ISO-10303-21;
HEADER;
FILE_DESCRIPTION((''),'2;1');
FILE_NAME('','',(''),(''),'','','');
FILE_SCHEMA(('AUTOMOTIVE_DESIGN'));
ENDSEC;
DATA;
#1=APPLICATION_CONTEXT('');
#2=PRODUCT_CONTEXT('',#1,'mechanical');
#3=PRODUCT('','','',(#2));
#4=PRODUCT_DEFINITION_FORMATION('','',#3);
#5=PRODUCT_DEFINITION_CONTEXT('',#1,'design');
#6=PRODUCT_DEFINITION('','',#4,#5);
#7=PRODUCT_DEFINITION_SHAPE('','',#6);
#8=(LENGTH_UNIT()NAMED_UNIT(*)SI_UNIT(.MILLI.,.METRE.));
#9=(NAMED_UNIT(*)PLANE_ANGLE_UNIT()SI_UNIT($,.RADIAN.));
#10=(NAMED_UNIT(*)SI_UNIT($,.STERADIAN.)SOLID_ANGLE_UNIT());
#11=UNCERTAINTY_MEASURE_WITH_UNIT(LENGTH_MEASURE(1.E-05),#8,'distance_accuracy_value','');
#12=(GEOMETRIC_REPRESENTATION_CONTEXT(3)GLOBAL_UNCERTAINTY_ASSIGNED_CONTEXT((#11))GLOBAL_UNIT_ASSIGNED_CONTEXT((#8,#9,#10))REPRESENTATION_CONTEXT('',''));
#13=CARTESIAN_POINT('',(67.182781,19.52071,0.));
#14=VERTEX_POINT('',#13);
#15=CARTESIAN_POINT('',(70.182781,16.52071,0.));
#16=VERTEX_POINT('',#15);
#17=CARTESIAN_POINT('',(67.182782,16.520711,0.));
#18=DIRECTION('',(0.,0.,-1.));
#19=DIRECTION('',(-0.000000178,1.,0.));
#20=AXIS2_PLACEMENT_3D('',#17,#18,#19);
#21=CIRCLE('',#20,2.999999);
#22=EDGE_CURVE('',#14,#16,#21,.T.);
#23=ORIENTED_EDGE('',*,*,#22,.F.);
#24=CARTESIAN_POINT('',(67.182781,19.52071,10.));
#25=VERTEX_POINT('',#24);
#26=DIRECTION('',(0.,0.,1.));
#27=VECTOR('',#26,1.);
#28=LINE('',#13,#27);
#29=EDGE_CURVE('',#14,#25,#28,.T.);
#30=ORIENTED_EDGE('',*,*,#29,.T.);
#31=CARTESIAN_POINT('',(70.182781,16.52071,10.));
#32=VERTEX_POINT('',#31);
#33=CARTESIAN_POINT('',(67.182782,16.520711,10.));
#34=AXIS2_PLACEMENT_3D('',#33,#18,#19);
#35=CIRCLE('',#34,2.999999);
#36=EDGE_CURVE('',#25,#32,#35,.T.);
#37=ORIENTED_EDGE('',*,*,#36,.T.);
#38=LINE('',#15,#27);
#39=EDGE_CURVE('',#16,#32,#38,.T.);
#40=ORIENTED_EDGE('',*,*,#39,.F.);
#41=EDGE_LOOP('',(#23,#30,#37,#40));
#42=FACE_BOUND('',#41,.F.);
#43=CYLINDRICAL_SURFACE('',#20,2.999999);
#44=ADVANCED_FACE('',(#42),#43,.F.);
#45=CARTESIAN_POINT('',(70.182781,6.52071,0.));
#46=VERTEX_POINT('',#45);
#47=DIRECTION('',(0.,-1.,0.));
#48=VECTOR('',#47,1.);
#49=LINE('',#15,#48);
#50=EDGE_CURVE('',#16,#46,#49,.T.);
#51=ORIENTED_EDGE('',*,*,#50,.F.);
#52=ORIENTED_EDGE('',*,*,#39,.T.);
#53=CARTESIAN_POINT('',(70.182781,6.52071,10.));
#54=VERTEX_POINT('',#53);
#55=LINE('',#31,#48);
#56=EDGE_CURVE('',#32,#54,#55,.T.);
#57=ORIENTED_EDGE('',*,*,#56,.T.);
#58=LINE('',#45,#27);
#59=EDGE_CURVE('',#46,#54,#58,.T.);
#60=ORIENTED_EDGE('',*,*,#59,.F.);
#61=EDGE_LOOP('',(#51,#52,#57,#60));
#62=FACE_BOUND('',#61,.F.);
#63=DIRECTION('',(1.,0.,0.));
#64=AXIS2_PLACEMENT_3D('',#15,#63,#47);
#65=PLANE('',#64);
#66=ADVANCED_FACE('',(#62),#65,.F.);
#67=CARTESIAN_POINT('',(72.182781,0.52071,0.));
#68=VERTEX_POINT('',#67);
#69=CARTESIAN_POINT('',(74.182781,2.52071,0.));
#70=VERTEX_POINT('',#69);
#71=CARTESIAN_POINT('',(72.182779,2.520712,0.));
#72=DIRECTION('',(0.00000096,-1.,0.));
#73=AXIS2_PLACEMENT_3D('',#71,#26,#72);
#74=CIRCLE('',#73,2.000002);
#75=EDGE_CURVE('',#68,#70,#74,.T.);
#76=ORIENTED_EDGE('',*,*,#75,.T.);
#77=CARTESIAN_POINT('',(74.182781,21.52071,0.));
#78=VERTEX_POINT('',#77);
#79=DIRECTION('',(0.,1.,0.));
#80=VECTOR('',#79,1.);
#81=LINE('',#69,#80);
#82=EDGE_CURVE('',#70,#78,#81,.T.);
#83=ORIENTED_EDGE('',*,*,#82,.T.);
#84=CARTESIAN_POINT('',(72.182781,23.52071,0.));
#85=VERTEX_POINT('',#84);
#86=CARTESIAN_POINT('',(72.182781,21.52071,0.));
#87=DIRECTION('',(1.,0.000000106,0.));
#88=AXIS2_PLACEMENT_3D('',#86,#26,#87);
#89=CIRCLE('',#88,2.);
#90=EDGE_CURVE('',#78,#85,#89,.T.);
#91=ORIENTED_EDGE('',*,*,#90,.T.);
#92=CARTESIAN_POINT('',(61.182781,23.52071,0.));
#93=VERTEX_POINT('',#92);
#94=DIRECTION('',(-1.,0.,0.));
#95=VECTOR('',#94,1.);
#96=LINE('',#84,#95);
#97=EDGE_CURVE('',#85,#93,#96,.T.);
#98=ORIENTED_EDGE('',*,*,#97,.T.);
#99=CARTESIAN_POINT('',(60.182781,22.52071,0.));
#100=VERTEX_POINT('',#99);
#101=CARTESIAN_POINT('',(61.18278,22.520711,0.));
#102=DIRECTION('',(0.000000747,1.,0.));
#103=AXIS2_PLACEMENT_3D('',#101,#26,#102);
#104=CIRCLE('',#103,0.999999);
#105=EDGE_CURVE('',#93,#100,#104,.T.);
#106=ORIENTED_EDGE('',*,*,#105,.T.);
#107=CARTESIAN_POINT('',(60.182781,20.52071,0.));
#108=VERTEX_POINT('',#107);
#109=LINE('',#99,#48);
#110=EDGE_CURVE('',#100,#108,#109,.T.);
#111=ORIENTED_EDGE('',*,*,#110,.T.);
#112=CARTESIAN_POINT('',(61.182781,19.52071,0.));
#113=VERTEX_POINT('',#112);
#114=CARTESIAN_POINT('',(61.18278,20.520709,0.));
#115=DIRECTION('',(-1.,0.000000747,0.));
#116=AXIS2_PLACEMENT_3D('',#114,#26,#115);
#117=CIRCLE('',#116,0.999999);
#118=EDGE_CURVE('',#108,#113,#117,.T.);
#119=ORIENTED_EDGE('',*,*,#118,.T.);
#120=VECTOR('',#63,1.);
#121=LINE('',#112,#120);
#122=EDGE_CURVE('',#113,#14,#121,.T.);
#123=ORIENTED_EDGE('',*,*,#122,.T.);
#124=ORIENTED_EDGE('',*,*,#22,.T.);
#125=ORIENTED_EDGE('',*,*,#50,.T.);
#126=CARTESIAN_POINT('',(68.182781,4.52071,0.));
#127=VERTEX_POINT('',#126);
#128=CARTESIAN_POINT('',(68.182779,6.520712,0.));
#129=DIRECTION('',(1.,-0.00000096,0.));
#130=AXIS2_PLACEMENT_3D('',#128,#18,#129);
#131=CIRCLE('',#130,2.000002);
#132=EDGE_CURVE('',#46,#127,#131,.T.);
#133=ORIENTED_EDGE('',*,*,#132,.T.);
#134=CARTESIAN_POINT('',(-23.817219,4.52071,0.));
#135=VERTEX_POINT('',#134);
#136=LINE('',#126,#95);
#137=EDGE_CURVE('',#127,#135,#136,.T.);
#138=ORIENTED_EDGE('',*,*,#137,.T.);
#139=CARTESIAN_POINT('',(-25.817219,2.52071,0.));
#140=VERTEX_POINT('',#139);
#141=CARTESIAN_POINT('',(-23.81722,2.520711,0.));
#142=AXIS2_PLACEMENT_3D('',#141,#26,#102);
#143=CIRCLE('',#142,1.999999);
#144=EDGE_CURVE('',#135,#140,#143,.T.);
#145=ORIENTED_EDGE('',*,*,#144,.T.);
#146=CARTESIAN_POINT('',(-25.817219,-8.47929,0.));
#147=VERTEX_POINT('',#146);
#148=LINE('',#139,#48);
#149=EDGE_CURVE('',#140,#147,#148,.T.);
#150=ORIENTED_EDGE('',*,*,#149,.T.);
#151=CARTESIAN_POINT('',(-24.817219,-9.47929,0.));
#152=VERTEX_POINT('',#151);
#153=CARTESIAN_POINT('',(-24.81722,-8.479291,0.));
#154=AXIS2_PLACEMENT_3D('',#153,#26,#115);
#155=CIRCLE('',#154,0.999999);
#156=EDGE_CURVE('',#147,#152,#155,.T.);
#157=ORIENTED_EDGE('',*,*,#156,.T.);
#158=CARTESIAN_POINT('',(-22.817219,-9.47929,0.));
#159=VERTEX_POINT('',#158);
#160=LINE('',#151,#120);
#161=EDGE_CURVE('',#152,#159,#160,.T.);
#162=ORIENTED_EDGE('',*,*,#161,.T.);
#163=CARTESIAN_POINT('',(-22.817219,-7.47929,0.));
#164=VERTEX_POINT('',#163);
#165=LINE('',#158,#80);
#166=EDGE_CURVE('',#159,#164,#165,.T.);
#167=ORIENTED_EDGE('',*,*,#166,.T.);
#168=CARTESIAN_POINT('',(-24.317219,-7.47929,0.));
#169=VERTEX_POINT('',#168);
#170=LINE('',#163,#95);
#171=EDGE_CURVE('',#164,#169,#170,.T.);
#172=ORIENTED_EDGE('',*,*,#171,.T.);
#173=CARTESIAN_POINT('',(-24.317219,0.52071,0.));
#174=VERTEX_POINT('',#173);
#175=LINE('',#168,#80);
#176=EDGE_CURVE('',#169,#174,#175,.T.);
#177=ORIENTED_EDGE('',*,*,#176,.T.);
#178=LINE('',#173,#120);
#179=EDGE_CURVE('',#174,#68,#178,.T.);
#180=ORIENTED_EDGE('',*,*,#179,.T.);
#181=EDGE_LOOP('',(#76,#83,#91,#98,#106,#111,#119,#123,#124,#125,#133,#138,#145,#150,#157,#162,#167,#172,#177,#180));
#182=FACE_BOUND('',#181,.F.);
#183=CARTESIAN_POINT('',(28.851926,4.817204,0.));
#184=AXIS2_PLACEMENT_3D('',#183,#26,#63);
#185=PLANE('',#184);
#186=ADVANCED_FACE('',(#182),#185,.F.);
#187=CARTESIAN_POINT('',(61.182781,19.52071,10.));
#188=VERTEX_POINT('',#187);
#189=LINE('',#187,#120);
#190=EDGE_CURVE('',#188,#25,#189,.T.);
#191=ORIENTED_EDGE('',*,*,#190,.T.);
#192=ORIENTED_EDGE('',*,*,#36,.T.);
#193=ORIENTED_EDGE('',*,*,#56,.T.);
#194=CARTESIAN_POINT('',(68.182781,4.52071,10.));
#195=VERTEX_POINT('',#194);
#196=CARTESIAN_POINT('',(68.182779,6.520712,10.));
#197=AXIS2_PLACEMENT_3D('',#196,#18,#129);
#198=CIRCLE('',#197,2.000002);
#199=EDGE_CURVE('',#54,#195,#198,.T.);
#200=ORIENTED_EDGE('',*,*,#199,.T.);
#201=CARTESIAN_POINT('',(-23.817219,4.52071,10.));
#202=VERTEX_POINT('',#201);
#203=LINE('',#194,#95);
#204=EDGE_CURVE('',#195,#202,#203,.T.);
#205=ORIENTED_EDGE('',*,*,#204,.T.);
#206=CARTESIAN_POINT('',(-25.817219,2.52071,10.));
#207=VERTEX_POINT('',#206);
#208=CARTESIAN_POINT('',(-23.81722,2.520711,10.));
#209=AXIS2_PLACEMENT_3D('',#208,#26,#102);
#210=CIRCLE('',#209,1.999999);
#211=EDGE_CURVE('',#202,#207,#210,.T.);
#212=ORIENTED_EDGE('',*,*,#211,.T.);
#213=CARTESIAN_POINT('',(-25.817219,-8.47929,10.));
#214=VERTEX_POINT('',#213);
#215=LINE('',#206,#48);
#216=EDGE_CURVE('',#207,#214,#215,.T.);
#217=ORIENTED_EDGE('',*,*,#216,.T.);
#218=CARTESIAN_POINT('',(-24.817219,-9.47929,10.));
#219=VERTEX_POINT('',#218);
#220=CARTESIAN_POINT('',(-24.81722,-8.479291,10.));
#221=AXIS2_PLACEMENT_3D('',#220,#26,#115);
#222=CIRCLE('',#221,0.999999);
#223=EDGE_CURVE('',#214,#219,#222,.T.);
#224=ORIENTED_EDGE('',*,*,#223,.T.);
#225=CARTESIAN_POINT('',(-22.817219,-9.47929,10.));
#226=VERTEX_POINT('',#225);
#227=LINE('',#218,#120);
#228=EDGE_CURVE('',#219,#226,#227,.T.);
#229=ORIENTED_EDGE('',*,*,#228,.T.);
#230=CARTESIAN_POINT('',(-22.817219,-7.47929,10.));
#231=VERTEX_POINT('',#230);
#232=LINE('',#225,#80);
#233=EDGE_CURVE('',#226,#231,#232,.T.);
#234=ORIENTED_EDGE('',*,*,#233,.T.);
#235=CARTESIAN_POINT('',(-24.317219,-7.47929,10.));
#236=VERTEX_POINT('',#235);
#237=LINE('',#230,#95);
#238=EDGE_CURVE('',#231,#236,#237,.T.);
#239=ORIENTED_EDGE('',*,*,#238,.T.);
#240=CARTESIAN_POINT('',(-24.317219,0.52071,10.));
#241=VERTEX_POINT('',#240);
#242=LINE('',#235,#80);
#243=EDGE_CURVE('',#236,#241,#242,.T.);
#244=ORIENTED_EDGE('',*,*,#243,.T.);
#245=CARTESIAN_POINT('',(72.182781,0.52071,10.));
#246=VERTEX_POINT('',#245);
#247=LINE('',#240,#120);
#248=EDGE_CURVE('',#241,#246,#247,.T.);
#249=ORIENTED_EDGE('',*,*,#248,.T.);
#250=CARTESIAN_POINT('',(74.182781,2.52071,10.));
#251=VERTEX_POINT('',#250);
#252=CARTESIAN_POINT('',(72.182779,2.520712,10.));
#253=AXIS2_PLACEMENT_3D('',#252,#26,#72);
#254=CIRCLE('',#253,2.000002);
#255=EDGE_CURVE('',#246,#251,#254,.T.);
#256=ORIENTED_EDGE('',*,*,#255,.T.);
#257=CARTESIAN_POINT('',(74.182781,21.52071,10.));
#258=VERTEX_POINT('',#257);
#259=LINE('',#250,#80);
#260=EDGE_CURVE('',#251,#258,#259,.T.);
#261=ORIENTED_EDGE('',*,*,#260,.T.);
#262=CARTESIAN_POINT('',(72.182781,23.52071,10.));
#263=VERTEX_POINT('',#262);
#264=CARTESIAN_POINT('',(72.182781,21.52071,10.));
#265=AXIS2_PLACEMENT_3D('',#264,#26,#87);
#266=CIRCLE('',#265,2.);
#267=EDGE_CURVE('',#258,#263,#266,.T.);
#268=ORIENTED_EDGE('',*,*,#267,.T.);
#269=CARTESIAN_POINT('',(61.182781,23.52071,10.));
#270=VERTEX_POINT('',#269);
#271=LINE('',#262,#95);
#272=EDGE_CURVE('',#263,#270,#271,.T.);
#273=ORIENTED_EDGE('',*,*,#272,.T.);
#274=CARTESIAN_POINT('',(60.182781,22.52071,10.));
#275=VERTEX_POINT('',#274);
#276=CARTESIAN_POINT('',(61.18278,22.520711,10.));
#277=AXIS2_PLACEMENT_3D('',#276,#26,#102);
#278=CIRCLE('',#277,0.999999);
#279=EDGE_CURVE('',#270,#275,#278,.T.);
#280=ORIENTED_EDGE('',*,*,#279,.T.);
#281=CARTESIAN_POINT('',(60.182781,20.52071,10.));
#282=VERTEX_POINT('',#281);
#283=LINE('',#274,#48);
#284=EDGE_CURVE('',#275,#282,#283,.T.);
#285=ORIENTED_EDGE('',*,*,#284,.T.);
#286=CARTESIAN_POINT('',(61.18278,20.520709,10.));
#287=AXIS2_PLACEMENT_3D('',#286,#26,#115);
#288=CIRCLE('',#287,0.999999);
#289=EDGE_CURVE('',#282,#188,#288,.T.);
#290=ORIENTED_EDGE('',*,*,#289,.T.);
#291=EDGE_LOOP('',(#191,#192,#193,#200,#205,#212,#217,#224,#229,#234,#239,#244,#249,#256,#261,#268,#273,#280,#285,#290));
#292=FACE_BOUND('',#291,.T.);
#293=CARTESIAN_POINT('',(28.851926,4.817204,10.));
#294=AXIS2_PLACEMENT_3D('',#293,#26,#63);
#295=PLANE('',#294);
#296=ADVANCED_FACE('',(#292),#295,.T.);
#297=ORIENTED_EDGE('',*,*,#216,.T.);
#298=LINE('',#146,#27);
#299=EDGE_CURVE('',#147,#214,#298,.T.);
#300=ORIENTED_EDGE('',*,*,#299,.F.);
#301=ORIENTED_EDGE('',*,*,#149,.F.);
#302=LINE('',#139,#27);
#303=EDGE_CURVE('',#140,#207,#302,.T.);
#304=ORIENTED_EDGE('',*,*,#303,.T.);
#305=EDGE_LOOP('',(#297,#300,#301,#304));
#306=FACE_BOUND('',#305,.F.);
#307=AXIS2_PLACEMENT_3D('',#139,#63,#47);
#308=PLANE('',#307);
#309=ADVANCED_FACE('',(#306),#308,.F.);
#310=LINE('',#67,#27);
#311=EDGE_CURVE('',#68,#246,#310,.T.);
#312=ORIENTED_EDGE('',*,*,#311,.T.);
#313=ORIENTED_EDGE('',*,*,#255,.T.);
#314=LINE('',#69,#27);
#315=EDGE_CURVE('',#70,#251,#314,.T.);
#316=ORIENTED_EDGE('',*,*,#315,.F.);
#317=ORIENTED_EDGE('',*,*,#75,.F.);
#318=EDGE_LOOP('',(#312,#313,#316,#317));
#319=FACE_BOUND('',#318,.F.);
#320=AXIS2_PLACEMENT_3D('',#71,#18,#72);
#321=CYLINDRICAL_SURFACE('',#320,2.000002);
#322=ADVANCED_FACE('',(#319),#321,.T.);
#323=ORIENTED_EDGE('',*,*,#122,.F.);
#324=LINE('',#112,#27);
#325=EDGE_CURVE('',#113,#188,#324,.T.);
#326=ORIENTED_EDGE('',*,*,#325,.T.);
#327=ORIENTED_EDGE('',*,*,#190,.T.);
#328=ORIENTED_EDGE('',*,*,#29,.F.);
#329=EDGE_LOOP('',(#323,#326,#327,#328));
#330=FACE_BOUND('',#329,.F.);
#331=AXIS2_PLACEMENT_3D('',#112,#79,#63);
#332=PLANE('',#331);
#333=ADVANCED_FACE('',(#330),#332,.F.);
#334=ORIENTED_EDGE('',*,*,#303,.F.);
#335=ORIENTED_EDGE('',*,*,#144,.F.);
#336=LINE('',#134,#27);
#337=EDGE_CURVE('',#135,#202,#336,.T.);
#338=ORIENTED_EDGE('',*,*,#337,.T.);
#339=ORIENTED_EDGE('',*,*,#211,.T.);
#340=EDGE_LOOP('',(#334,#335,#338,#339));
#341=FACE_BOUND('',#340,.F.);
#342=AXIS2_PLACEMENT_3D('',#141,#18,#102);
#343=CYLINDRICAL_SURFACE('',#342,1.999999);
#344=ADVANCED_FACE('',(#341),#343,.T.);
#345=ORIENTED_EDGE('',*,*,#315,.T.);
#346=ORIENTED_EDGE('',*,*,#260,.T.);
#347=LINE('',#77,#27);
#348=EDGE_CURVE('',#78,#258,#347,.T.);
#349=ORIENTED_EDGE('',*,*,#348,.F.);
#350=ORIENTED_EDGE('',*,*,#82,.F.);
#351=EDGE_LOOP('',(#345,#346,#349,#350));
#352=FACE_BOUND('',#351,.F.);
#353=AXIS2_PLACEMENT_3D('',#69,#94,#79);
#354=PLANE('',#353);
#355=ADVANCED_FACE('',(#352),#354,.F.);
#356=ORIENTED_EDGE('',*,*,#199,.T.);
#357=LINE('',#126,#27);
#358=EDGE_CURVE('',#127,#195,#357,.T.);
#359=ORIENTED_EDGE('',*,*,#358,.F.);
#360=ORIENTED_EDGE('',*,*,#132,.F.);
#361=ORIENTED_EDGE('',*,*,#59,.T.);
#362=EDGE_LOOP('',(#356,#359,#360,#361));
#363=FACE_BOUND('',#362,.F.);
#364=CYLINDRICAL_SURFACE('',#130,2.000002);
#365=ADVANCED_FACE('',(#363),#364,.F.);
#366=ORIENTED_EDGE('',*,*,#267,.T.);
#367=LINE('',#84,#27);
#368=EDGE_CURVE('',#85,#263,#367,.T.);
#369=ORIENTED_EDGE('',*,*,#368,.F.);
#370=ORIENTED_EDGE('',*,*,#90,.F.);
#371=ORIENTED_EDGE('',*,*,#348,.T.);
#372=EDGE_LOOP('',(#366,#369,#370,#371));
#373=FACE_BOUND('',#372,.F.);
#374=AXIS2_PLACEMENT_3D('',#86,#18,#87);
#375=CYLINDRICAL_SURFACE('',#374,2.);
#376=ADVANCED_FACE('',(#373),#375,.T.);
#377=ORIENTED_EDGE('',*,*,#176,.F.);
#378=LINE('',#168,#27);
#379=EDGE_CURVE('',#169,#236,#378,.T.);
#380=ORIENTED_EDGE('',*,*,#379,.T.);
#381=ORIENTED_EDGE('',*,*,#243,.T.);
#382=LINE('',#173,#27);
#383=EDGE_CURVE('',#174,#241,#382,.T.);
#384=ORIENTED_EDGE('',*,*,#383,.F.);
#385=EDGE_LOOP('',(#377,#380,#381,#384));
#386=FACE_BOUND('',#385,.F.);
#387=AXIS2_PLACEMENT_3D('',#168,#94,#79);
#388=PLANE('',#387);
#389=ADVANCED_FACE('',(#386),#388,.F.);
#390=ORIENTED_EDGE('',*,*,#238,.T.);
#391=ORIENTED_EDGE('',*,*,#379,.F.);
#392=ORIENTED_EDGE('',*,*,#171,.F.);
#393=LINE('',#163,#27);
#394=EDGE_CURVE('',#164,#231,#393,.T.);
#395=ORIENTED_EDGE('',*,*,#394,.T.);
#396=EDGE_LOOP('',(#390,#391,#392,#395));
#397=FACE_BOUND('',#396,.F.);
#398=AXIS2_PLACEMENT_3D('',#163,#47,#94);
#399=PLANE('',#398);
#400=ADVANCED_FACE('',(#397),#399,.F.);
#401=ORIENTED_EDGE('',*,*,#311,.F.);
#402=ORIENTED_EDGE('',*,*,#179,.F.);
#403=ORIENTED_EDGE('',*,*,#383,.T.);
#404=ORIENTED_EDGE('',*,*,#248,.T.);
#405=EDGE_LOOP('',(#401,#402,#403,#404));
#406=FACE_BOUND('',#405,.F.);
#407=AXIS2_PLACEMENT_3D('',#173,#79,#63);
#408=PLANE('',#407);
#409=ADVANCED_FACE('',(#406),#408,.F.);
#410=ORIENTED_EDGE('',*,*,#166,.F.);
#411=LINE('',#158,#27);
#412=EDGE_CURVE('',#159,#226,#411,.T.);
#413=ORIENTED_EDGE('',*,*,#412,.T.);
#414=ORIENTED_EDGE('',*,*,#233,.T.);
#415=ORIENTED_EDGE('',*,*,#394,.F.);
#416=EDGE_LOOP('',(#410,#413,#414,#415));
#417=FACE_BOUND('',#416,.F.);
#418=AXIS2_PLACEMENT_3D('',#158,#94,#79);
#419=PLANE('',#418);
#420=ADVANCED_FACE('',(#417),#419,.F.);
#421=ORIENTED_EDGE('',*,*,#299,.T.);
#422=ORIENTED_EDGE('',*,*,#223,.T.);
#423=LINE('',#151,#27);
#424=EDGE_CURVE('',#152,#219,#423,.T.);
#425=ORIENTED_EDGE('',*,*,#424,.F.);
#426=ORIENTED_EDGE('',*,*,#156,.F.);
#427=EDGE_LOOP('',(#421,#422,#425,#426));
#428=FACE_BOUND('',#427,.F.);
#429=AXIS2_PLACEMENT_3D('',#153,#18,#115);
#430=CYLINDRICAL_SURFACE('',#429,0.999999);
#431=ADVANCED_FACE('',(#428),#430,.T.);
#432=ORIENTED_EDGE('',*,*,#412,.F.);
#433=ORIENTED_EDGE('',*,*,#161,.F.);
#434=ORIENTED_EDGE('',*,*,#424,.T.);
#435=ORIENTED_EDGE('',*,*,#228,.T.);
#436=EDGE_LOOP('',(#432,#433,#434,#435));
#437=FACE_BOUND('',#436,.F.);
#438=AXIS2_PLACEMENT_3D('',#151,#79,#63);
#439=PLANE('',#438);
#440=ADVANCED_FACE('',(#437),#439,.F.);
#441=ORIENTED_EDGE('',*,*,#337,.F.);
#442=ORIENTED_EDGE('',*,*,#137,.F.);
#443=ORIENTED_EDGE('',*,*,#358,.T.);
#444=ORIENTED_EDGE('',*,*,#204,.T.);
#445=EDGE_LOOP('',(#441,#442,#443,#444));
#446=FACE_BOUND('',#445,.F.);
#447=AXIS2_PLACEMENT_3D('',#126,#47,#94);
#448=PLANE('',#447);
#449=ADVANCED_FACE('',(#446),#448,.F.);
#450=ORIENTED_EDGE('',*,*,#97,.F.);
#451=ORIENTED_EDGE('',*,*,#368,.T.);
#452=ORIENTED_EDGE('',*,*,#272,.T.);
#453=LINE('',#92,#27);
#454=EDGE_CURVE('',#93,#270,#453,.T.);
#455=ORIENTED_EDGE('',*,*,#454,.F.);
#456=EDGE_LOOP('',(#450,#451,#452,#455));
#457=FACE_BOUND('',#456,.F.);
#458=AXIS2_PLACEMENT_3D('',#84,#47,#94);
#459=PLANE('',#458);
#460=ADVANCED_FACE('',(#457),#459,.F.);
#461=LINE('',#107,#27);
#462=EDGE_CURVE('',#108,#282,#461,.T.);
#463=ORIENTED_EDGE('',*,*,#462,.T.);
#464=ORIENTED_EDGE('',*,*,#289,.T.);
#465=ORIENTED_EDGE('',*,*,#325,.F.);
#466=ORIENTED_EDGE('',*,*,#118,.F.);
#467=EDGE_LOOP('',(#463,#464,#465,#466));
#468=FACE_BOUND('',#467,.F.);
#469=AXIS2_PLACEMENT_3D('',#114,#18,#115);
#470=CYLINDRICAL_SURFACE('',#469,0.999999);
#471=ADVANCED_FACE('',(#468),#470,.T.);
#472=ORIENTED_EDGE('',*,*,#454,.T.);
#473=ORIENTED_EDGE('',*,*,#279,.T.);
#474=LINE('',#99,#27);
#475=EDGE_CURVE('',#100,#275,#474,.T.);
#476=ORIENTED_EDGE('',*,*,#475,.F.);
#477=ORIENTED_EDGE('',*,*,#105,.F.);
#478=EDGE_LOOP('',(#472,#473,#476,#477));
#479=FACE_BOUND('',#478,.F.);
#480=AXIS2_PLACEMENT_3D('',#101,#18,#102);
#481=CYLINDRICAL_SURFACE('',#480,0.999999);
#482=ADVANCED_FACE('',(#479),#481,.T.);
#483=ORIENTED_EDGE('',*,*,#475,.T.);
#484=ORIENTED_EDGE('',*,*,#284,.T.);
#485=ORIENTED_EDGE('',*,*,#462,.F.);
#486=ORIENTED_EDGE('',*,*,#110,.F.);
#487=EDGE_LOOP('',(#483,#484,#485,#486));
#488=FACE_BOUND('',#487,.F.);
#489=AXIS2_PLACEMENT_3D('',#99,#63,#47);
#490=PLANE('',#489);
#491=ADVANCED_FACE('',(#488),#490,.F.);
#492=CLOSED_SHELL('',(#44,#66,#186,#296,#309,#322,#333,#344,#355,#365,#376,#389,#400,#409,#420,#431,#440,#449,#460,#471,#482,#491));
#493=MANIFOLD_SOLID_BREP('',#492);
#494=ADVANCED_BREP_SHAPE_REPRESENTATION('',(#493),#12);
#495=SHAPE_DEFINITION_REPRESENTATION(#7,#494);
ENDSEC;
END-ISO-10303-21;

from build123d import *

# Parameters (mm, degrees)
F1_DEPTH = 10


with BuildPart() as f1:
    # F0 (on Top) → F1 (new body)
    with BuildSketch(Plane.XY):
        with BuildLine():
            Line((68.182781, 4.52071), (-23.817219, 4.52071))
            ThreePointArc((-23.817219, 4.52071), (-25.231433, 3.934924), (-25.817219, 2.52071))
            Line((-25.817219, 2.52071), (-25.817219, -8.47929))
            ThreePointArc((-25.817219, -8.47929), (-25.524326, -9.186397), (-24.817219, -9.47929))
            Line((-24.817219, -9.47929), (-22.817219, -9.47929))
            Line((-22.817219, -9.47929), (-22.817219, -7.47929))
            Line((-22.817219, -7.47929), (-23.317219, -7.47929))
            Line((-23.317219, -7.47929), (-24.317219, -7.47929))
            Line((-24.317219, -7.47929), (-24.317219, -6.47929))
            Line((-24.317219, -6.47929), (-24.317219, 0.52071))
            Line((-24.317219, 0.52071), (-23.317219, 0.52071))
            Line((-23.317219, 0.52071), (72.182781, 0.52071))
            ThreePointArc((72.182781, 0.52071), (73.596994, 1.106497), (74.182781, 2.52071))
            Line((74.182781, 2.52071), (74.182781, 21.52071))
            ThreePointArc((74.182781, 21.52071), (73.596994, 22.934924), (72.182781, 23.52071))
            Line((72.182781, 23.52071), (70.182781, 23.52071))
            Line((70.182781, 23.52071), (61.182781, 23.52071))
            ThreePointArc((61.182781, 23.52071), (60.475674, 23.227817), (60.182781, 22.52071))
            Line((60.182781, 22.52071), (60.182781, 20.52071))
            ThreePointArc((60.182781, 20.52071), (60.475674, 19.813603), (61.182781, 19.52071))
            Line((61.182781, 19.52071), (67.182781, 19.52071))
            ThreePointArc((67.182781, 19.52071), (69.304101, 18.642031), (70.182781, 16.52071))
            Line((70.182781, 16.52071), (70.182781, 6.52071))
            ThreePointArc((70.182781, 6.52071), (69.596994, 5.106497), (68.182781, 4.52071))
        make_face()
    extrude(amount=F1_DEPTH)


solid = f1.part
